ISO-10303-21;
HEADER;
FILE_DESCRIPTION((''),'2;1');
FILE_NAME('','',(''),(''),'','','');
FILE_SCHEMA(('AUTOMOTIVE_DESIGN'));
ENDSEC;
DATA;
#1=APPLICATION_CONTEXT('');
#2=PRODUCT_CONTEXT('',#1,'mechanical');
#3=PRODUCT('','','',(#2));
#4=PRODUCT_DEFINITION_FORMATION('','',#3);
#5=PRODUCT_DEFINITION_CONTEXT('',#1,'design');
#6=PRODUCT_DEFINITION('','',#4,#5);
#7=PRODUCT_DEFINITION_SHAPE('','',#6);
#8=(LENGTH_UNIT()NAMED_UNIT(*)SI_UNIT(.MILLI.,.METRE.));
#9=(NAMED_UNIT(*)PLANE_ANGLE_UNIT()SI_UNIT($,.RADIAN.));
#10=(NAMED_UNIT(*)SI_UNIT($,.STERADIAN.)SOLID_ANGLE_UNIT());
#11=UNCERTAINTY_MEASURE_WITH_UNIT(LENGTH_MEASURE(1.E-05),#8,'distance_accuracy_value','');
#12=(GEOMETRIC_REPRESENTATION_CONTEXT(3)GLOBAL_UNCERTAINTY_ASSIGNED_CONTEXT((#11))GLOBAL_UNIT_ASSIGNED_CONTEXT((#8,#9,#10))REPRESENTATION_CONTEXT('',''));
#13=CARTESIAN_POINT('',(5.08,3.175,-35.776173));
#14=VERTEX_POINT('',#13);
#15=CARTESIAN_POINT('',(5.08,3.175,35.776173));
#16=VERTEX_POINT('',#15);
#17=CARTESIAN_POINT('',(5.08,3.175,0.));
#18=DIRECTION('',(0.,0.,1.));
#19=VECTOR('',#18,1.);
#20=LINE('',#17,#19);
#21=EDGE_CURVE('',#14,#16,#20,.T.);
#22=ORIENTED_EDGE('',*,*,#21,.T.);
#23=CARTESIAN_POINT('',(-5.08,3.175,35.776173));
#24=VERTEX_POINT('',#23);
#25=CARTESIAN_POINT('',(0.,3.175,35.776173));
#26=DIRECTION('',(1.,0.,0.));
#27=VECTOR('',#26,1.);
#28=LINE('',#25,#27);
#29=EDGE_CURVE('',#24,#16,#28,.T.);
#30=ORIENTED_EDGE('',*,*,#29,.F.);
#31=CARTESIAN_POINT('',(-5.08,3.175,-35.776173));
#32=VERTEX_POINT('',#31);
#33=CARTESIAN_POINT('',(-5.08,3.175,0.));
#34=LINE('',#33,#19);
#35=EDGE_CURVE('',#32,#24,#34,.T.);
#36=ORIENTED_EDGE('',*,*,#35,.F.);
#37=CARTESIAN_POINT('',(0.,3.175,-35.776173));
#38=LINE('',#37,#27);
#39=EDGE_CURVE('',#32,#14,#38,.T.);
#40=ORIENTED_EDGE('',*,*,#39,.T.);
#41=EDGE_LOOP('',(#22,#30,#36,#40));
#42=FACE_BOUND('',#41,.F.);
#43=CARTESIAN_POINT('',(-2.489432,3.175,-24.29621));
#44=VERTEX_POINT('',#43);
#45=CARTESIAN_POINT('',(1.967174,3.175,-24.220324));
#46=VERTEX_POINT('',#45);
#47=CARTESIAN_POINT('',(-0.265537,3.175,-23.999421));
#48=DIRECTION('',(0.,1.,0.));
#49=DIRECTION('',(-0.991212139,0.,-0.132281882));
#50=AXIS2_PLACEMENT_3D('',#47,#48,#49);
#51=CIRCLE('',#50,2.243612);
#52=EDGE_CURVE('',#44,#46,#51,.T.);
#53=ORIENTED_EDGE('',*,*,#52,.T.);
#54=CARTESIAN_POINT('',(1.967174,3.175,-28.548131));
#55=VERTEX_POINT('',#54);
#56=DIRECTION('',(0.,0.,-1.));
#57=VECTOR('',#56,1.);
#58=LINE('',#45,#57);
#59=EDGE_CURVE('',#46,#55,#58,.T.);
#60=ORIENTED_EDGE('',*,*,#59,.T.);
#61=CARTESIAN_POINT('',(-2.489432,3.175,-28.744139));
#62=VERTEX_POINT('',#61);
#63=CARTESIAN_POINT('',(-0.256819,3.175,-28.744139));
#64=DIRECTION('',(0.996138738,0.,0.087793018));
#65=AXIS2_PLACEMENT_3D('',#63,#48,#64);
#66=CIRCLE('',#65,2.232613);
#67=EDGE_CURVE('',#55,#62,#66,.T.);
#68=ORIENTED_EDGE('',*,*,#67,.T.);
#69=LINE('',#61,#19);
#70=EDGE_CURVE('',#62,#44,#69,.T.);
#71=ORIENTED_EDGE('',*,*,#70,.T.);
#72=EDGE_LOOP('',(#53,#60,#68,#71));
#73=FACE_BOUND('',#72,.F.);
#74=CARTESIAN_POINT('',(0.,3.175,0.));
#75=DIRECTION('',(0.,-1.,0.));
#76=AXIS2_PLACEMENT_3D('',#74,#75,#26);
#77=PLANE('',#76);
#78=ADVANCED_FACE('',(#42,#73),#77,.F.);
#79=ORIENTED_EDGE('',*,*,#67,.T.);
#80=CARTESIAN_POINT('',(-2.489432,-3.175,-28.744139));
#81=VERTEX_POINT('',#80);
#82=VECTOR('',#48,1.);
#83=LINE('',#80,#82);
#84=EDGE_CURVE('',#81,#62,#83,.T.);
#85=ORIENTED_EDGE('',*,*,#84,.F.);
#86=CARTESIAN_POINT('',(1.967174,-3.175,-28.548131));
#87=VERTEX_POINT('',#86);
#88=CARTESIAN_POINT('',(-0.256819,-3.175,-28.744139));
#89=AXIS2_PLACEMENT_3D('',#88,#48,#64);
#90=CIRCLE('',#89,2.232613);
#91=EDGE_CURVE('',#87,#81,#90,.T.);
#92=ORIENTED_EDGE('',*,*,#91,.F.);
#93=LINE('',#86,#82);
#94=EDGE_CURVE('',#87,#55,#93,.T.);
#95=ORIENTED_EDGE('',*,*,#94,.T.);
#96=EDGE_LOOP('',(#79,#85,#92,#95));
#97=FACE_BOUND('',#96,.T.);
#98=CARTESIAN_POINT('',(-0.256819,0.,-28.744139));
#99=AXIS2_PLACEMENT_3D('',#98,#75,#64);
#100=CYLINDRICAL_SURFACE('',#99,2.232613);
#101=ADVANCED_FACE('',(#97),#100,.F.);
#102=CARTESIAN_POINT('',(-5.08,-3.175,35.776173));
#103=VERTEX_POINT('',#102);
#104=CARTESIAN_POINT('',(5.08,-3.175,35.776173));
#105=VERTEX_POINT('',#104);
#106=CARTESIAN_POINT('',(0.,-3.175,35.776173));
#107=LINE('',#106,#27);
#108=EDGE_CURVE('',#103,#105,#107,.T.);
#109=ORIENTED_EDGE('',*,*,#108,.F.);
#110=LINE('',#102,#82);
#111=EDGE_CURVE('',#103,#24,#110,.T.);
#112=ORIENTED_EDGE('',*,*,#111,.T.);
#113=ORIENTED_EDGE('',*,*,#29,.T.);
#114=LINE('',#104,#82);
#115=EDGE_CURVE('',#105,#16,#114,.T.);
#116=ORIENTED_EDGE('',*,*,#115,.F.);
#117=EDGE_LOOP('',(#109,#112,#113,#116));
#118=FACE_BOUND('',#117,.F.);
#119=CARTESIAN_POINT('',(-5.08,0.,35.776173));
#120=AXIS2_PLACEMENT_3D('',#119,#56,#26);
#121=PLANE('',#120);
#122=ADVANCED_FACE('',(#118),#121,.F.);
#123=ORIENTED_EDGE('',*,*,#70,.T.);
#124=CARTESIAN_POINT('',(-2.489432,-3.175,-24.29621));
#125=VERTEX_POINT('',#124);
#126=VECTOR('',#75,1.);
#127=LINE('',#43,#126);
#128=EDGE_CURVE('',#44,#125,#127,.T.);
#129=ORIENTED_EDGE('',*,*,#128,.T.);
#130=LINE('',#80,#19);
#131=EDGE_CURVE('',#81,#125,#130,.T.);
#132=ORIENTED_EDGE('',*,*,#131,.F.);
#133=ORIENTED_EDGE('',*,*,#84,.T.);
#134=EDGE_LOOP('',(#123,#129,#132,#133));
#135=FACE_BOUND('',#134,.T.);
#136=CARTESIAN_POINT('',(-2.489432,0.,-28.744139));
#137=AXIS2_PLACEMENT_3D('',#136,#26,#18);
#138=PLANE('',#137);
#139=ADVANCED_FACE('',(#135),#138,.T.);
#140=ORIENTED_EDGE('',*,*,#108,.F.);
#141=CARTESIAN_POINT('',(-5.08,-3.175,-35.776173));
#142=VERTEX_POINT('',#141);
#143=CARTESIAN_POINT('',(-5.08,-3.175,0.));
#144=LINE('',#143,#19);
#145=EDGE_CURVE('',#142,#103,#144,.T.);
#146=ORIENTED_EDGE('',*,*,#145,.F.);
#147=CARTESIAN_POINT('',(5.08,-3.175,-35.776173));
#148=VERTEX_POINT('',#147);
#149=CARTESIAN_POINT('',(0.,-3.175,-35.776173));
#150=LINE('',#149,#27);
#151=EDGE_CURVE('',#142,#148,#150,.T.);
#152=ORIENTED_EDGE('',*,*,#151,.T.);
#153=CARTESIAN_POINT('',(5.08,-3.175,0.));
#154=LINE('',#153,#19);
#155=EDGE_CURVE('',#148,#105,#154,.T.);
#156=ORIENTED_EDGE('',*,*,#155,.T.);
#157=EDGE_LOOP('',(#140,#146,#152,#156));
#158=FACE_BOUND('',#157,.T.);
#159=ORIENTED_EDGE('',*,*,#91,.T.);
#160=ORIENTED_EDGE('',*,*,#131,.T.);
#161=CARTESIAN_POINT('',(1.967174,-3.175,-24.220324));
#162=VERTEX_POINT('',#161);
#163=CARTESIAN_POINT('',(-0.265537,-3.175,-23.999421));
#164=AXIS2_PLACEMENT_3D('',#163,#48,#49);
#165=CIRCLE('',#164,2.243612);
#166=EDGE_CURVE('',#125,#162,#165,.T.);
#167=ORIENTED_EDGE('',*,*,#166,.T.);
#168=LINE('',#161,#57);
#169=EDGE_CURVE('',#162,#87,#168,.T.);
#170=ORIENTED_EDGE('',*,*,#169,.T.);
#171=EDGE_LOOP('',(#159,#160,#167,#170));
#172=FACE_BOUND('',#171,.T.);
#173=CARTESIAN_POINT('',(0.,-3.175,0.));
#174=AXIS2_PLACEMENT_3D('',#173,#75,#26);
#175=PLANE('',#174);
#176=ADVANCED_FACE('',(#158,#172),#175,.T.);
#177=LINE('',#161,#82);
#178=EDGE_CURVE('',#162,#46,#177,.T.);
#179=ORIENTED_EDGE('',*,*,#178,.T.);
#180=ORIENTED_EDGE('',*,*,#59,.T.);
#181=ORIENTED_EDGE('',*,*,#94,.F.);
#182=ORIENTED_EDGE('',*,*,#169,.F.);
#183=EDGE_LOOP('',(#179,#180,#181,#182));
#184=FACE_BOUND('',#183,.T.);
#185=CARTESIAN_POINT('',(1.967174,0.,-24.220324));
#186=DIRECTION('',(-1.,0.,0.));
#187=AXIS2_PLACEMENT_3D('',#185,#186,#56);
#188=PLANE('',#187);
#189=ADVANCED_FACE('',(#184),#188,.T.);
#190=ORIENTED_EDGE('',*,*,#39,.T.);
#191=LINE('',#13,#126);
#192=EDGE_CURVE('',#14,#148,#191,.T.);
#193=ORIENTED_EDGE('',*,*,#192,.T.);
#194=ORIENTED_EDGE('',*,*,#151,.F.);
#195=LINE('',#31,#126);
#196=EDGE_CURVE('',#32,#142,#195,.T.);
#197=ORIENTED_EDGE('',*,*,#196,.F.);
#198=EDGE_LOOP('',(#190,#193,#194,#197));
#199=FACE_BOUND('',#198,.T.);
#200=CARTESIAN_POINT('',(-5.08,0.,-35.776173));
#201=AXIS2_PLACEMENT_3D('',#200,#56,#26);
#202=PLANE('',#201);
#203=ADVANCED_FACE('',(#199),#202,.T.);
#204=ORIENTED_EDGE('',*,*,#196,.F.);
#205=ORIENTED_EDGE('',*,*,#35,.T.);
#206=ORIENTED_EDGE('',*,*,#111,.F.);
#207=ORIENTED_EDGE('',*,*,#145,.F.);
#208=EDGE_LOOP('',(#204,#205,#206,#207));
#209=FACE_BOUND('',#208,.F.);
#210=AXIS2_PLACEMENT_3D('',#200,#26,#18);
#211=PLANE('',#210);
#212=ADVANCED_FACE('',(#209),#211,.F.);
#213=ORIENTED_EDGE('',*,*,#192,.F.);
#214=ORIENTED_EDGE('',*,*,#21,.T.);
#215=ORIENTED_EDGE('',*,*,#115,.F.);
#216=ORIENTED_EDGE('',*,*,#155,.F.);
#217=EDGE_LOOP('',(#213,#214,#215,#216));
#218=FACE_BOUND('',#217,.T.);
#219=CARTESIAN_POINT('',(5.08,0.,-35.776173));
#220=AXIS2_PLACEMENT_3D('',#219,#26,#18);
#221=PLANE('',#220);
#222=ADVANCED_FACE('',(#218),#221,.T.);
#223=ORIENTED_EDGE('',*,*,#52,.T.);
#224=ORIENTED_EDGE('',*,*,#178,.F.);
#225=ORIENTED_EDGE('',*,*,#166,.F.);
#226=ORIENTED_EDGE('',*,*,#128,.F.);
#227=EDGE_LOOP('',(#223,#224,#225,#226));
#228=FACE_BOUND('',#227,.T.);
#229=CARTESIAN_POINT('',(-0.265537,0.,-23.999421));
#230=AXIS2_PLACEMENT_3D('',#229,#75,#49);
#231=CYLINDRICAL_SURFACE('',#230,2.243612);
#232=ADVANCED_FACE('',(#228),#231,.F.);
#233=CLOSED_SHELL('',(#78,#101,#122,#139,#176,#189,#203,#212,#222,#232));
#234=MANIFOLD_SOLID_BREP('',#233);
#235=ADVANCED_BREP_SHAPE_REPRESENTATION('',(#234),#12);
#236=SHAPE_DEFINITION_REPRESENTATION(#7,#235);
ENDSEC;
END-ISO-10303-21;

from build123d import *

# Parameters (mm, degrees)
F0_W     = 10.16
F0_H     = 71.552346
F1_DEPTH = 3.175


with BuildPart() as f1:
    # F0 (on Front) → F1 (new body, symmetric)
    with BuildSketch(Plane.XZ):
        Rectangle(F0_W, F0_H)
        with BuildLine():
            ThreePointArc((-2.489432, -24.29621), (-0.303735, -21.756134), (1.967174, -24.220324))
            Line((1.967174, -24.220324), (1.967174, -28.548131))
            ThreePointArc((1.967174, -28.548131), (-0.15872, -30.974596), (-2.489432, -28.744139))
            Line((-2.489432, -28.744139), (-2.489432, -24.29621))
        make_face(mode=Mode.SUBTRACT)
    extrude(amount=F1_DEPTH, both=True)


solid = f1.part
